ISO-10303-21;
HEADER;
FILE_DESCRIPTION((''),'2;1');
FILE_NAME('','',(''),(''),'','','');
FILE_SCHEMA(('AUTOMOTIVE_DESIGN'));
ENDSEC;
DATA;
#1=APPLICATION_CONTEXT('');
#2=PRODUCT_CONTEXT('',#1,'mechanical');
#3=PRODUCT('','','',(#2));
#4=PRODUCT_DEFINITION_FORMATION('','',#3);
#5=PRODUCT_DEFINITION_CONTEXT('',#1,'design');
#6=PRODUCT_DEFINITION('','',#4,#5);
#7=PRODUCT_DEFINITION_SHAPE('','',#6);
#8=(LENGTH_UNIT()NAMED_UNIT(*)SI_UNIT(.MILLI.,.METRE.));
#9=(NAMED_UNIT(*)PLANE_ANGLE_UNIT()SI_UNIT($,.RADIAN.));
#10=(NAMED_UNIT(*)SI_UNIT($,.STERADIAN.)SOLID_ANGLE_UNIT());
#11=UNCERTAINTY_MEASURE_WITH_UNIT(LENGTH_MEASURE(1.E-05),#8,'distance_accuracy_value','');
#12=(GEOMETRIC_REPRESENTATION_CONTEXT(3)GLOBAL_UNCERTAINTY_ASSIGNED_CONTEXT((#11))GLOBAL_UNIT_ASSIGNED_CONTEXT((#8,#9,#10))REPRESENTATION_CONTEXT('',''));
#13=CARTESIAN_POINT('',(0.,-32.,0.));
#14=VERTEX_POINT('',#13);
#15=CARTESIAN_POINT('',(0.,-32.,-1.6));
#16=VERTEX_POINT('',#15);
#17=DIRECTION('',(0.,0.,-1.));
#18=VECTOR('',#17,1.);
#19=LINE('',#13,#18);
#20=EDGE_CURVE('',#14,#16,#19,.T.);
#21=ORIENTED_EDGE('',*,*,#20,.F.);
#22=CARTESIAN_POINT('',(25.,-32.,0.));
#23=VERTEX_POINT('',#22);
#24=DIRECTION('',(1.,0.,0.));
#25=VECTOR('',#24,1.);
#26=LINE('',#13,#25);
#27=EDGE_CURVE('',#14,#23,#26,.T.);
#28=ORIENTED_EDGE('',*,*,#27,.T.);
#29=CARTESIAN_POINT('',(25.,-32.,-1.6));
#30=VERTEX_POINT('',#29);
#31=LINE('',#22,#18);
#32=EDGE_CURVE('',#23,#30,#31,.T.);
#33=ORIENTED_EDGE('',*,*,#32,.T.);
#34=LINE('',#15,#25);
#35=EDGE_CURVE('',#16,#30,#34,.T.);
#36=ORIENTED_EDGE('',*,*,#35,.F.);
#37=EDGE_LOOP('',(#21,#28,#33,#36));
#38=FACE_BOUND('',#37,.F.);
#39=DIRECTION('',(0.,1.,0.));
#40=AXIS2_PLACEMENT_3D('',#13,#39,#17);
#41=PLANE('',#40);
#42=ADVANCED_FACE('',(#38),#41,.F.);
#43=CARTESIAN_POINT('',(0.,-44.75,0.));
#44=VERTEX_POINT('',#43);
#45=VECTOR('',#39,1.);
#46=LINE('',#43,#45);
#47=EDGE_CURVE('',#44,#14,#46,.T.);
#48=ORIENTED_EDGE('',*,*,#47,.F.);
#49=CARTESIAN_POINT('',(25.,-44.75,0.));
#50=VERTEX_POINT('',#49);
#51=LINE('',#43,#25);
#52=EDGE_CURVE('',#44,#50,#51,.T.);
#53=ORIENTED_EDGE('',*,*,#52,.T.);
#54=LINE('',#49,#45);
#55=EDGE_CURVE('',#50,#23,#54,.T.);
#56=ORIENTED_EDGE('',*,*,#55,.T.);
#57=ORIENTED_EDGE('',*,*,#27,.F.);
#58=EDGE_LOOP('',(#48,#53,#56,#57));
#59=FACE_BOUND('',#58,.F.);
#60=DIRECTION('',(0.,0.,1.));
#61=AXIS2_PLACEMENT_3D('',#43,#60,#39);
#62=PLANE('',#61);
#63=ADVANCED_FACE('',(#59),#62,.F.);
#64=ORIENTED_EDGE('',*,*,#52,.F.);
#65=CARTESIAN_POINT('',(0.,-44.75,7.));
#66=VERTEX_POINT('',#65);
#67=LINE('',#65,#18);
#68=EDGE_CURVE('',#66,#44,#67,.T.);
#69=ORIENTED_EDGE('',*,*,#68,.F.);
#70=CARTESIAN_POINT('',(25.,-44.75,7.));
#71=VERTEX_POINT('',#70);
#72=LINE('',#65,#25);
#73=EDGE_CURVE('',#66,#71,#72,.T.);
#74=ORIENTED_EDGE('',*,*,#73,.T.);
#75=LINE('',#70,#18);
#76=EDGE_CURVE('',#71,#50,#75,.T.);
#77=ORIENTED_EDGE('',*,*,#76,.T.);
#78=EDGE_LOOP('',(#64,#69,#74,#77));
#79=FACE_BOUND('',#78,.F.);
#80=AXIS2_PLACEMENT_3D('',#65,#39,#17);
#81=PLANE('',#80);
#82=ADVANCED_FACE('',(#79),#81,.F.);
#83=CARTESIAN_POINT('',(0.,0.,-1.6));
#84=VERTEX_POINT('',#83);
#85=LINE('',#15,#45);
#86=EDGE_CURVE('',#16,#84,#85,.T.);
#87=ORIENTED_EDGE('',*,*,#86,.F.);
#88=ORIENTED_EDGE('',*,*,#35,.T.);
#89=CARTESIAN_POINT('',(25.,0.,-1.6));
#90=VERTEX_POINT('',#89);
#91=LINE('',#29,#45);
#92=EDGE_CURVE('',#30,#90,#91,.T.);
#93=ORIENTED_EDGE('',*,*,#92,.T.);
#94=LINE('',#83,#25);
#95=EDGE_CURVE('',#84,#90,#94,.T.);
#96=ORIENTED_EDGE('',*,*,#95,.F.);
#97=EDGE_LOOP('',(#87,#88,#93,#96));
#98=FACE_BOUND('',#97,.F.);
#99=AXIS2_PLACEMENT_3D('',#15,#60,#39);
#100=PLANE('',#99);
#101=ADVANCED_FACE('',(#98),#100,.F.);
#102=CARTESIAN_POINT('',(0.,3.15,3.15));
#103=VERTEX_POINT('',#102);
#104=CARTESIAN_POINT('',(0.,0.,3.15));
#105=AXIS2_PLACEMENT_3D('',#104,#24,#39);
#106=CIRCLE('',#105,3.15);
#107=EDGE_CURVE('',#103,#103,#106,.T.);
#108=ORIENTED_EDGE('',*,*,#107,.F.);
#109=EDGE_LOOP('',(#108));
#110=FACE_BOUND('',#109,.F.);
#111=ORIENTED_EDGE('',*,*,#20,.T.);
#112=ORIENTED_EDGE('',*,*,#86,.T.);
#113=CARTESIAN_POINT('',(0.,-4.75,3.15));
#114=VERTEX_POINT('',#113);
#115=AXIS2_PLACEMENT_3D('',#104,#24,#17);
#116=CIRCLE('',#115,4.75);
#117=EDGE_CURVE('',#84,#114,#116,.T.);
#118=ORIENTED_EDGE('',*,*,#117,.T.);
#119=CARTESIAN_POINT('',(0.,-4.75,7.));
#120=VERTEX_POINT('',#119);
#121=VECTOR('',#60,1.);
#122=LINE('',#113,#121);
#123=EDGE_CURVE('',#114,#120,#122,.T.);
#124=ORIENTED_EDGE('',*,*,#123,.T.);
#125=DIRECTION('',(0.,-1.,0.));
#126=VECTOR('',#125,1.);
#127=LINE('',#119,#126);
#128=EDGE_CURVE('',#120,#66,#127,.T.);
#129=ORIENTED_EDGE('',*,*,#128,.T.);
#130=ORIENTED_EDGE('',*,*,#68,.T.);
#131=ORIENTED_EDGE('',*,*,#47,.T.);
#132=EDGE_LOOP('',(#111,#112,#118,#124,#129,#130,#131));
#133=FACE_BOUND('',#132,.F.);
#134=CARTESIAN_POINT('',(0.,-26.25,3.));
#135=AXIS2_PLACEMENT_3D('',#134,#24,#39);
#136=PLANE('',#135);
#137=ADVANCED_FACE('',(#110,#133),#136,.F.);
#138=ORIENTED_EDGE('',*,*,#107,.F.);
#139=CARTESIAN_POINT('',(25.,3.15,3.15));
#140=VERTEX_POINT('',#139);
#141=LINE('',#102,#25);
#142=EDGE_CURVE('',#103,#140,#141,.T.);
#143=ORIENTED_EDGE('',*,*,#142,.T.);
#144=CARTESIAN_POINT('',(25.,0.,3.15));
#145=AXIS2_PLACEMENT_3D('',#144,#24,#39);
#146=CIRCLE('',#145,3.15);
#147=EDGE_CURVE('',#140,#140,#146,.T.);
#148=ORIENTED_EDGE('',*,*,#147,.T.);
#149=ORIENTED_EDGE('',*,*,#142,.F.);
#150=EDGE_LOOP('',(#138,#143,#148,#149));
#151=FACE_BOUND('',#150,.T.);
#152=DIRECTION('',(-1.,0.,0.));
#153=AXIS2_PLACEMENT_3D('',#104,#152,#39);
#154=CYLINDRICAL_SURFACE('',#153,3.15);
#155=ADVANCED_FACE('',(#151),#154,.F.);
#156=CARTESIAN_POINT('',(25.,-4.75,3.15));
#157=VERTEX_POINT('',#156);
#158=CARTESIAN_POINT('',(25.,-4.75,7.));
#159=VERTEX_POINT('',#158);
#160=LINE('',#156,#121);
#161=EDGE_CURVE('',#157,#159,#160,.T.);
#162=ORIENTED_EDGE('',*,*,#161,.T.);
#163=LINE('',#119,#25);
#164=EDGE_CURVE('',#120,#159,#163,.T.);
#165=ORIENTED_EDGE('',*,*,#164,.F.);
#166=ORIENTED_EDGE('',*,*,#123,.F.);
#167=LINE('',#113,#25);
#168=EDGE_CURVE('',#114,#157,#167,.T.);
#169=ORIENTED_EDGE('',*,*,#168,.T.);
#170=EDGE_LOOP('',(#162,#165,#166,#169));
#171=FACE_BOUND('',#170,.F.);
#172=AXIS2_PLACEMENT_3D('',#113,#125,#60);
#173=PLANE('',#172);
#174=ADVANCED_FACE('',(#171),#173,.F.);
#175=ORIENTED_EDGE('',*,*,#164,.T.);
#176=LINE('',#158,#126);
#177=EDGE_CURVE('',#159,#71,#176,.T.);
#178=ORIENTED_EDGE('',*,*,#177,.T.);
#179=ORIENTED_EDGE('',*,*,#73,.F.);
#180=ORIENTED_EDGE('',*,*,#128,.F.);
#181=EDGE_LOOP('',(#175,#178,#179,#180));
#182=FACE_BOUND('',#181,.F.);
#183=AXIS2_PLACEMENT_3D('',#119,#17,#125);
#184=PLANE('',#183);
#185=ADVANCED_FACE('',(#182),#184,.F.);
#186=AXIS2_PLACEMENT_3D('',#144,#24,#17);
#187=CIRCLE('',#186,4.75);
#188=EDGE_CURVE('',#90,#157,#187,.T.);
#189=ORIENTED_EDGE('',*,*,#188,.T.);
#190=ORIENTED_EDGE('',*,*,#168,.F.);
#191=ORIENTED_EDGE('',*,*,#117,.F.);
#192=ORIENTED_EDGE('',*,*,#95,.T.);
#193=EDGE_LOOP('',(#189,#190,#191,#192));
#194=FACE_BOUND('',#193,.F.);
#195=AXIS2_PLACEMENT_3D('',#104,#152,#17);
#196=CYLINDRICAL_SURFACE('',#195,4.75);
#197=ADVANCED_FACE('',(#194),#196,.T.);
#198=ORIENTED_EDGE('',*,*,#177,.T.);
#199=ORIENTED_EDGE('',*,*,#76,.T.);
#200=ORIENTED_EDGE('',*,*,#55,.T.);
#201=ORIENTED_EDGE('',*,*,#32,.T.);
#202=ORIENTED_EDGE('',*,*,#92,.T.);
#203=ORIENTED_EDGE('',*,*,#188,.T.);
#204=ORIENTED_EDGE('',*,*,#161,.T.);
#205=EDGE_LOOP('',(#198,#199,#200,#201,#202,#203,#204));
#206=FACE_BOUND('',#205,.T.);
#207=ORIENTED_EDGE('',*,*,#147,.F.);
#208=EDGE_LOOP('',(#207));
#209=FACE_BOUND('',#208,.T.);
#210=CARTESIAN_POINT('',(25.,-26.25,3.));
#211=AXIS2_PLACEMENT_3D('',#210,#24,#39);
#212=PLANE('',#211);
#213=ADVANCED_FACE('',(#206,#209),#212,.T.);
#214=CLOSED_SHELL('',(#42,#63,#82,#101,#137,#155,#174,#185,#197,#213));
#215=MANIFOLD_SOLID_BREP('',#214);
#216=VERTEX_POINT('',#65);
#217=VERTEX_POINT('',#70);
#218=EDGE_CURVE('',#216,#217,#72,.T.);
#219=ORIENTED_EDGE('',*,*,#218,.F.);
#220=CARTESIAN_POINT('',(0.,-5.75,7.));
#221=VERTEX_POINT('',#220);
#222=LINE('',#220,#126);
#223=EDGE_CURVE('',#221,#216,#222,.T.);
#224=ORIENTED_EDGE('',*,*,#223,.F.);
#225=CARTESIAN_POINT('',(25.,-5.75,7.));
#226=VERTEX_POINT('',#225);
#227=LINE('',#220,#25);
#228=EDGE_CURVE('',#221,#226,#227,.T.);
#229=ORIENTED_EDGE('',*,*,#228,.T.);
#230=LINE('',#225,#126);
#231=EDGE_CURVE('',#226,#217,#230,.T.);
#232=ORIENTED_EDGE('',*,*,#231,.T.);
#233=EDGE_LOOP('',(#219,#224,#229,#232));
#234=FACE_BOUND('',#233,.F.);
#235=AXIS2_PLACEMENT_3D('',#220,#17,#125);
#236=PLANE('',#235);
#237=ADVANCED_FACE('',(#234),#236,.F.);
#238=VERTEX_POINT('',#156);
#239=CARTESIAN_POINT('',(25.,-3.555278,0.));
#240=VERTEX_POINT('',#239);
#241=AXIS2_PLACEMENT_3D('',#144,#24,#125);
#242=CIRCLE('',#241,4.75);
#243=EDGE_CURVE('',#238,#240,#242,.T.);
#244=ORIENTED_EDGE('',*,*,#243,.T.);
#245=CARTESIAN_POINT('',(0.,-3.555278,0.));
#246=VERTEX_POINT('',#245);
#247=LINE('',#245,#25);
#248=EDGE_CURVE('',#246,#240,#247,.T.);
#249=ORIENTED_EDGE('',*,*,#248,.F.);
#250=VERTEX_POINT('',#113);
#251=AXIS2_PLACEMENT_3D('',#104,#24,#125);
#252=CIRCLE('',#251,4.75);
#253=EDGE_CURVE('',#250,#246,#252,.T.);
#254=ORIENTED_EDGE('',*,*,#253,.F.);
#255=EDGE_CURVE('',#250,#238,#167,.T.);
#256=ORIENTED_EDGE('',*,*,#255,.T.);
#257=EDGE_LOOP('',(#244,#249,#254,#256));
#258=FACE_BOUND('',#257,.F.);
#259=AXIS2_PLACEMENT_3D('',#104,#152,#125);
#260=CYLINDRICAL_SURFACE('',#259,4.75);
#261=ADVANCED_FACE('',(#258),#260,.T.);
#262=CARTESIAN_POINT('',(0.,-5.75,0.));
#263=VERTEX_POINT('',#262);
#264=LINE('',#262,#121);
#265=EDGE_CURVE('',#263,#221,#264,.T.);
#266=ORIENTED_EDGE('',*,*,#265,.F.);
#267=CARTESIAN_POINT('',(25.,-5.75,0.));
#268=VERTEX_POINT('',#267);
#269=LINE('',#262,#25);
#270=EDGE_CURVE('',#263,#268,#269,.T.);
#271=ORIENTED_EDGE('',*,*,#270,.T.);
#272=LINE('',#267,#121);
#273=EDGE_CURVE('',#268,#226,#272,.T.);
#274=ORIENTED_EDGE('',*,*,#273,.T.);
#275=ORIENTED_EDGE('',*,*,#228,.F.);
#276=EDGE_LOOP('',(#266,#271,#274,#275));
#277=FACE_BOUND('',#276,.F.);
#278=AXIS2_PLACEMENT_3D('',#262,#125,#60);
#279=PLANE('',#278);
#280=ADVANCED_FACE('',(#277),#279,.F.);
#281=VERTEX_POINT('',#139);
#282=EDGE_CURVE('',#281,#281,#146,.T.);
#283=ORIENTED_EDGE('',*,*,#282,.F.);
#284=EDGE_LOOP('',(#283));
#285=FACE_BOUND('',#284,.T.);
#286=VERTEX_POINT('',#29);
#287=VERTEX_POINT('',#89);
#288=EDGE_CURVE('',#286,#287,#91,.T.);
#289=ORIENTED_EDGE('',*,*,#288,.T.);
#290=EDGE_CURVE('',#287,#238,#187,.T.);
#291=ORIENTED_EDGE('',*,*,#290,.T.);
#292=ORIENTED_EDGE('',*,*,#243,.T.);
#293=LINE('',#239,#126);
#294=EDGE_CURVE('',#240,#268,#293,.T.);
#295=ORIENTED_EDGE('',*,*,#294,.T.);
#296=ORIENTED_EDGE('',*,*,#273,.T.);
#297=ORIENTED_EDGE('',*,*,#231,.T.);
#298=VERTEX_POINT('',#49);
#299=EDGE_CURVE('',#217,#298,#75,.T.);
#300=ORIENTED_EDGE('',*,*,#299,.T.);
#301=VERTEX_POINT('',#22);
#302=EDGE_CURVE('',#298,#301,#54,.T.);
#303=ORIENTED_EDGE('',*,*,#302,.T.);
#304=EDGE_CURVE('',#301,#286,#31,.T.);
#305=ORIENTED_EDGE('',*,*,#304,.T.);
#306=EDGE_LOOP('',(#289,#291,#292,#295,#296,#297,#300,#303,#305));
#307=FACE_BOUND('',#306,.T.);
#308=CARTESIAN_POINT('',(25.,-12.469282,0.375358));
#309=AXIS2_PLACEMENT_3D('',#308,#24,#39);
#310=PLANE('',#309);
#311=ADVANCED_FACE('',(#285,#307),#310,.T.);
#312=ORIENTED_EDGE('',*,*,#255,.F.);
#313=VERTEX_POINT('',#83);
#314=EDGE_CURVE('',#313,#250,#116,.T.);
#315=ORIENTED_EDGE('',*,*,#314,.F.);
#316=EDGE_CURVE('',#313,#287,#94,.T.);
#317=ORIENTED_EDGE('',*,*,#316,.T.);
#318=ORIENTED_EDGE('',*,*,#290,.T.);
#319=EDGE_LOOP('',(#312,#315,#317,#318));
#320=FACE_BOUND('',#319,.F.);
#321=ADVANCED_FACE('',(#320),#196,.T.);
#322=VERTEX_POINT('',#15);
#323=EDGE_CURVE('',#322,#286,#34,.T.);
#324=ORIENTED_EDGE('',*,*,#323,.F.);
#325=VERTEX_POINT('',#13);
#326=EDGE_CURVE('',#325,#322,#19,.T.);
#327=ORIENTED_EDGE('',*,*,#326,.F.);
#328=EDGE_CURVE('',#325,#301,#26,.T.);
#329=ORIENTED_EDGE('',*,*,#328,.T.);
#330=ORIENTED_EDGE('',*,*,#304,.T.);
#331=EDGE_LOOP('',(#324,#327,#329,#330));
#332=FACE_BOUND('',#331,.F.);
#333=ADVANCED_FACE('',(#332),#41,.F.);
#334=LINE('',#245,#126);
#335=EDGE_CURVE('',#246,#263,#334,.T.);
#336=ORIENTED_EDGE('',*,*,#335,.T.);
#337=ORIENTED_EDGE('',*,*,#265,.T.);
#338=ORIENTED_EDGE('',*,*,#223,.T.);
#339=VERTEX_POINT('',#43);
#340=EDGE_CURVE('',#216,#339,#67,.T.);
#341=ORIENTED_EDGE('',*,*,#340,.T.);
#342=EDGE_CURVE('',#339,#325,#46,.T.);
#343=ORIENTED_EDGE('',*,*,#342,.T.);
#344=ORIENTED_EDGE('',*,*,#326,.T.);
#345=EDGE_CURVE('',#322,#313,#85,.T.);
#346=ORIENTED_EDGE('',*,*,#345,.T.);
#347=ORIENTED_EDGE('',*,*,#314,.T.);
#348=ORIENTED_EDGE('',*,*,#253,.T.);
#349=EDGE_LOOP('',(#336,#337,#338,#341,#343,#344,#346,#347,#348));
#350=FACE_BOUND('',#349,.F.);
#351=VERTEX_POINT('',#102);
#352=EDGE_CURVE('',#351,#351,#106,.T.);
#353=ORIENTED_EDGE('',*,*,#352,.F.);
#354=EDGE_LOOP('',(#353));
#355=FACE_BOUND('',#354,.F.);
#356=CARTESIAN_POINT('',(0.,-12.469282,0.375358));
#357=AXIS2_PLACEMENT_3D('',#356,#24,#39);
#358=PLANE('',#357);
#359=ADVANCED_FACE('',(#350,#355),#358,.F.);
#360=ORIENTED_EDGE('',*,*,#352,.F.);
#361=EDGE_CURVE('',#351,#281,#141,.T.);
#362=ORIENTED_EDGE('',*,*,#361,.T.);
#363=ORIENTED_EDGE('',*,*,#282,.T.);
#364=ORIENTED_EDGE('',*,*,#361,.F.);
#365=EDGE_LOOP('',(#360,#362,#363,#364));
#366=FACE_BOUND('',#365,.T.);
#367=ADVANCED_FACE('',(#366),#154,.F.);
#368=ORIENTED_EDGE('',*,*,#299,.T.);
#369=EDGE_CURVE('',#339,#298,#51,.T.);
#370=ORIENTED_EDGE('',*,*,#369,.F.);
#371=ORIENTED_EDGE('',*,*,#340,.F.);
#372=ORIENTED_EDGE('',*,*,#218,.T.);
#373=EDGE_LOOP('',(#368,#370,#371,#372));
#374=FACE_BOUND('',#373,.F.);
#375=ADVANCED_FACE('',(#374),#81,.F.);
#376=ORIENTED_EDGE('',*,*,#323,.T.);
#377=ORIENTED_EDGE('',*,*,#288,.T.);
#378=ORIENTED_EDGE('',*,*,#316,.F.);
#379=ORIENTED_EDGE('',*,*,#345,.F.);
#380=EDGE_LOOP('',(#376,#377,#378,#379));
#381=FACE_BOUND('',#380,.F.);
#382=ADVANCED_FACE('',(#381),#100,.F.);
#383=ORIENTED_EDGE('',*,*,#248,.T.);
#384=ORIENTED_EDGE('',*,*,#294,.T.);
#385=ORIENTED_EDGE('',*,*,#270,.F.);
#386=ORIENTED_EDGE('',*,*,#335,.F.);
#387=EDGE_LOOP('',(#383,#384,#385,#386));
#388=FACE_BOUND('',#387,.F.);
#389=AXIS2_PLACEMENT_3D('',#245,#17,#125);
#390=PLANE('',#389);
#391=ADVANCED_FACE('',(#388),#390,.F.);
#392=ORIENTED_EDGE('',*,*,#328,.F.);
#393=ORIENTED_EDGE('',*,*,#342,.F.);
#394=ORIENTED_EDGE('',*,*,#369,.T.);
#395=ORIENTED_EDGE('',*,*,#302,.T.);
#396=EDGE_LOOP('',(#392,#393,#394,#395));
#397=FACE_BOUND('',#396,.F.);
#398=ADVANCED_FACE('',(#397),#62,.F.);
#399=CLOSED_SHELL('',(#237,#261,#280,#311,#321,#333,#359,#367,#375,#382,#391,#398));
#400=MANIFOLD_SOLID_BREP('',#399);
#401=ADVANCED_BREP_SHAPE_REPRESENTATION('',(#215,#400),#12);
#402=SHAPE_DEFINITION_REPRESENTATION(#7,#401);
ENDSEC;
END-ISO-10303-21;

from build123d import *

# Parameters (mm, degrees)
F0_R     = 3.15
F0_W     = 37
F0_H     = 1
F0_W_2   = 2
F0_H_2   = 6
F1_DEPTH = 25
F0_W_3   = 1
F2_DEPTH = 25


with BuildPart() as f1:
    # F0 (on Right) → F1 (new body)
    with BuildSketch(Plane.YZ):
        with BuildLine():
            Line((-3.5552777669, 0), (-4.75, 0))
            Line((-4.75, 0), (-5.75, 0))
            Line((-5.75, 0), (-7.75, 0))
            Line((-7.75, 0), (-32, 0))
            Line((-32, 0), (-32, -1.6))
            Line((-32, -1.6), (0, -1.6))
            ThreePointArc((0, -1.6), (3.3587572106, 6.5087572106), (-4.75, 3.15))
            ThreePointArc((-4.75, 3.15), (-4.4412875044, 1.4655222461), (-3.5552777669, 0))
        make_face()
        with Locations((0, 3.15)):
            Circle(F0_R, mode=Mode.SUBTRACT)
        Polygon((-32, 0), (-7.75, 0), (-7.75, 6), (-44.75, 6), (-44.75, 0), align=None)
        with Locations((-26.25, 6.5)):
            Rectangle(F0_W, F0_H)
        with Locations((-6.75, 6.5)):
            Rectangle(F0_W_2, F0_H)
        with Locations((-6.75, 3)):
            Rectangle(F0_W_2, F0_H_2)
    extrude(amount=F1_DEPTH)


with BuildPart() as f2:
    # F0 (on Right) → F2 (new body)
    with BuildSketch(Plane.YZ):
        Polygon((-32, 0), (-7.75, 0), (-7.75, 6), (-44.75, 6), (-44.75, 0), align=None)
        with BuildLine():
            Line((-3.5552777669, 0), (-4.75, 0))
            Line((-4.75, 0), (-5.75, 0))
            Line((-5.75, 0), (-7.75, 0))
            Line((-7.75, 0), (-32, 0))
            Line((-32, 0), (-32, -1.6))
            Line((-32, -1.6), (0, -1.6))
            ThreePointArc((0, -1.6), (3.3587572106, 6.5087572106), (-4.75, 3.15))
            ThreePointArc((-4.75, 3.15), (-4.4412875044, 1.4655222461), (-3.5552777669, 0))
        make_face()
        with Locations((0, 3.15)):
            Circle(F0_R, mode=Mode.SUBTRACT)
        with BuildLine():
            Line((-4.75, 3.15), (-4.75, 0))
            Line((-4.75, 0), (-3.5552777669, 0))
            ThreePointArc((-3.5552777669, 0), (-4.4412875044, 1.4655222461), (-4.75, 3.15))
        make_face()
        with Locations((-26.25, 6.5)):
            Rectangle(F0_W, F0_H)
        with Locations((-5.25, 6.5)):
            Rectangle(F0_W_3, F0_H)
        Polygon((-5.75, 0), (-4.75, 0), (-4.75, 3.15), (-4.75, 6), (-5.75, 6), align=None)
        with Locations((-6.75, 6.5)):
            Rectangle(F0_W_2, F0_H)
        with Locations((-6.75, 3)):
            Rectangle(F0_W_2, F0_H_2)
    extrude(amount=F2_DEPTH)


solid = Compound([f1.part, f2.part])
